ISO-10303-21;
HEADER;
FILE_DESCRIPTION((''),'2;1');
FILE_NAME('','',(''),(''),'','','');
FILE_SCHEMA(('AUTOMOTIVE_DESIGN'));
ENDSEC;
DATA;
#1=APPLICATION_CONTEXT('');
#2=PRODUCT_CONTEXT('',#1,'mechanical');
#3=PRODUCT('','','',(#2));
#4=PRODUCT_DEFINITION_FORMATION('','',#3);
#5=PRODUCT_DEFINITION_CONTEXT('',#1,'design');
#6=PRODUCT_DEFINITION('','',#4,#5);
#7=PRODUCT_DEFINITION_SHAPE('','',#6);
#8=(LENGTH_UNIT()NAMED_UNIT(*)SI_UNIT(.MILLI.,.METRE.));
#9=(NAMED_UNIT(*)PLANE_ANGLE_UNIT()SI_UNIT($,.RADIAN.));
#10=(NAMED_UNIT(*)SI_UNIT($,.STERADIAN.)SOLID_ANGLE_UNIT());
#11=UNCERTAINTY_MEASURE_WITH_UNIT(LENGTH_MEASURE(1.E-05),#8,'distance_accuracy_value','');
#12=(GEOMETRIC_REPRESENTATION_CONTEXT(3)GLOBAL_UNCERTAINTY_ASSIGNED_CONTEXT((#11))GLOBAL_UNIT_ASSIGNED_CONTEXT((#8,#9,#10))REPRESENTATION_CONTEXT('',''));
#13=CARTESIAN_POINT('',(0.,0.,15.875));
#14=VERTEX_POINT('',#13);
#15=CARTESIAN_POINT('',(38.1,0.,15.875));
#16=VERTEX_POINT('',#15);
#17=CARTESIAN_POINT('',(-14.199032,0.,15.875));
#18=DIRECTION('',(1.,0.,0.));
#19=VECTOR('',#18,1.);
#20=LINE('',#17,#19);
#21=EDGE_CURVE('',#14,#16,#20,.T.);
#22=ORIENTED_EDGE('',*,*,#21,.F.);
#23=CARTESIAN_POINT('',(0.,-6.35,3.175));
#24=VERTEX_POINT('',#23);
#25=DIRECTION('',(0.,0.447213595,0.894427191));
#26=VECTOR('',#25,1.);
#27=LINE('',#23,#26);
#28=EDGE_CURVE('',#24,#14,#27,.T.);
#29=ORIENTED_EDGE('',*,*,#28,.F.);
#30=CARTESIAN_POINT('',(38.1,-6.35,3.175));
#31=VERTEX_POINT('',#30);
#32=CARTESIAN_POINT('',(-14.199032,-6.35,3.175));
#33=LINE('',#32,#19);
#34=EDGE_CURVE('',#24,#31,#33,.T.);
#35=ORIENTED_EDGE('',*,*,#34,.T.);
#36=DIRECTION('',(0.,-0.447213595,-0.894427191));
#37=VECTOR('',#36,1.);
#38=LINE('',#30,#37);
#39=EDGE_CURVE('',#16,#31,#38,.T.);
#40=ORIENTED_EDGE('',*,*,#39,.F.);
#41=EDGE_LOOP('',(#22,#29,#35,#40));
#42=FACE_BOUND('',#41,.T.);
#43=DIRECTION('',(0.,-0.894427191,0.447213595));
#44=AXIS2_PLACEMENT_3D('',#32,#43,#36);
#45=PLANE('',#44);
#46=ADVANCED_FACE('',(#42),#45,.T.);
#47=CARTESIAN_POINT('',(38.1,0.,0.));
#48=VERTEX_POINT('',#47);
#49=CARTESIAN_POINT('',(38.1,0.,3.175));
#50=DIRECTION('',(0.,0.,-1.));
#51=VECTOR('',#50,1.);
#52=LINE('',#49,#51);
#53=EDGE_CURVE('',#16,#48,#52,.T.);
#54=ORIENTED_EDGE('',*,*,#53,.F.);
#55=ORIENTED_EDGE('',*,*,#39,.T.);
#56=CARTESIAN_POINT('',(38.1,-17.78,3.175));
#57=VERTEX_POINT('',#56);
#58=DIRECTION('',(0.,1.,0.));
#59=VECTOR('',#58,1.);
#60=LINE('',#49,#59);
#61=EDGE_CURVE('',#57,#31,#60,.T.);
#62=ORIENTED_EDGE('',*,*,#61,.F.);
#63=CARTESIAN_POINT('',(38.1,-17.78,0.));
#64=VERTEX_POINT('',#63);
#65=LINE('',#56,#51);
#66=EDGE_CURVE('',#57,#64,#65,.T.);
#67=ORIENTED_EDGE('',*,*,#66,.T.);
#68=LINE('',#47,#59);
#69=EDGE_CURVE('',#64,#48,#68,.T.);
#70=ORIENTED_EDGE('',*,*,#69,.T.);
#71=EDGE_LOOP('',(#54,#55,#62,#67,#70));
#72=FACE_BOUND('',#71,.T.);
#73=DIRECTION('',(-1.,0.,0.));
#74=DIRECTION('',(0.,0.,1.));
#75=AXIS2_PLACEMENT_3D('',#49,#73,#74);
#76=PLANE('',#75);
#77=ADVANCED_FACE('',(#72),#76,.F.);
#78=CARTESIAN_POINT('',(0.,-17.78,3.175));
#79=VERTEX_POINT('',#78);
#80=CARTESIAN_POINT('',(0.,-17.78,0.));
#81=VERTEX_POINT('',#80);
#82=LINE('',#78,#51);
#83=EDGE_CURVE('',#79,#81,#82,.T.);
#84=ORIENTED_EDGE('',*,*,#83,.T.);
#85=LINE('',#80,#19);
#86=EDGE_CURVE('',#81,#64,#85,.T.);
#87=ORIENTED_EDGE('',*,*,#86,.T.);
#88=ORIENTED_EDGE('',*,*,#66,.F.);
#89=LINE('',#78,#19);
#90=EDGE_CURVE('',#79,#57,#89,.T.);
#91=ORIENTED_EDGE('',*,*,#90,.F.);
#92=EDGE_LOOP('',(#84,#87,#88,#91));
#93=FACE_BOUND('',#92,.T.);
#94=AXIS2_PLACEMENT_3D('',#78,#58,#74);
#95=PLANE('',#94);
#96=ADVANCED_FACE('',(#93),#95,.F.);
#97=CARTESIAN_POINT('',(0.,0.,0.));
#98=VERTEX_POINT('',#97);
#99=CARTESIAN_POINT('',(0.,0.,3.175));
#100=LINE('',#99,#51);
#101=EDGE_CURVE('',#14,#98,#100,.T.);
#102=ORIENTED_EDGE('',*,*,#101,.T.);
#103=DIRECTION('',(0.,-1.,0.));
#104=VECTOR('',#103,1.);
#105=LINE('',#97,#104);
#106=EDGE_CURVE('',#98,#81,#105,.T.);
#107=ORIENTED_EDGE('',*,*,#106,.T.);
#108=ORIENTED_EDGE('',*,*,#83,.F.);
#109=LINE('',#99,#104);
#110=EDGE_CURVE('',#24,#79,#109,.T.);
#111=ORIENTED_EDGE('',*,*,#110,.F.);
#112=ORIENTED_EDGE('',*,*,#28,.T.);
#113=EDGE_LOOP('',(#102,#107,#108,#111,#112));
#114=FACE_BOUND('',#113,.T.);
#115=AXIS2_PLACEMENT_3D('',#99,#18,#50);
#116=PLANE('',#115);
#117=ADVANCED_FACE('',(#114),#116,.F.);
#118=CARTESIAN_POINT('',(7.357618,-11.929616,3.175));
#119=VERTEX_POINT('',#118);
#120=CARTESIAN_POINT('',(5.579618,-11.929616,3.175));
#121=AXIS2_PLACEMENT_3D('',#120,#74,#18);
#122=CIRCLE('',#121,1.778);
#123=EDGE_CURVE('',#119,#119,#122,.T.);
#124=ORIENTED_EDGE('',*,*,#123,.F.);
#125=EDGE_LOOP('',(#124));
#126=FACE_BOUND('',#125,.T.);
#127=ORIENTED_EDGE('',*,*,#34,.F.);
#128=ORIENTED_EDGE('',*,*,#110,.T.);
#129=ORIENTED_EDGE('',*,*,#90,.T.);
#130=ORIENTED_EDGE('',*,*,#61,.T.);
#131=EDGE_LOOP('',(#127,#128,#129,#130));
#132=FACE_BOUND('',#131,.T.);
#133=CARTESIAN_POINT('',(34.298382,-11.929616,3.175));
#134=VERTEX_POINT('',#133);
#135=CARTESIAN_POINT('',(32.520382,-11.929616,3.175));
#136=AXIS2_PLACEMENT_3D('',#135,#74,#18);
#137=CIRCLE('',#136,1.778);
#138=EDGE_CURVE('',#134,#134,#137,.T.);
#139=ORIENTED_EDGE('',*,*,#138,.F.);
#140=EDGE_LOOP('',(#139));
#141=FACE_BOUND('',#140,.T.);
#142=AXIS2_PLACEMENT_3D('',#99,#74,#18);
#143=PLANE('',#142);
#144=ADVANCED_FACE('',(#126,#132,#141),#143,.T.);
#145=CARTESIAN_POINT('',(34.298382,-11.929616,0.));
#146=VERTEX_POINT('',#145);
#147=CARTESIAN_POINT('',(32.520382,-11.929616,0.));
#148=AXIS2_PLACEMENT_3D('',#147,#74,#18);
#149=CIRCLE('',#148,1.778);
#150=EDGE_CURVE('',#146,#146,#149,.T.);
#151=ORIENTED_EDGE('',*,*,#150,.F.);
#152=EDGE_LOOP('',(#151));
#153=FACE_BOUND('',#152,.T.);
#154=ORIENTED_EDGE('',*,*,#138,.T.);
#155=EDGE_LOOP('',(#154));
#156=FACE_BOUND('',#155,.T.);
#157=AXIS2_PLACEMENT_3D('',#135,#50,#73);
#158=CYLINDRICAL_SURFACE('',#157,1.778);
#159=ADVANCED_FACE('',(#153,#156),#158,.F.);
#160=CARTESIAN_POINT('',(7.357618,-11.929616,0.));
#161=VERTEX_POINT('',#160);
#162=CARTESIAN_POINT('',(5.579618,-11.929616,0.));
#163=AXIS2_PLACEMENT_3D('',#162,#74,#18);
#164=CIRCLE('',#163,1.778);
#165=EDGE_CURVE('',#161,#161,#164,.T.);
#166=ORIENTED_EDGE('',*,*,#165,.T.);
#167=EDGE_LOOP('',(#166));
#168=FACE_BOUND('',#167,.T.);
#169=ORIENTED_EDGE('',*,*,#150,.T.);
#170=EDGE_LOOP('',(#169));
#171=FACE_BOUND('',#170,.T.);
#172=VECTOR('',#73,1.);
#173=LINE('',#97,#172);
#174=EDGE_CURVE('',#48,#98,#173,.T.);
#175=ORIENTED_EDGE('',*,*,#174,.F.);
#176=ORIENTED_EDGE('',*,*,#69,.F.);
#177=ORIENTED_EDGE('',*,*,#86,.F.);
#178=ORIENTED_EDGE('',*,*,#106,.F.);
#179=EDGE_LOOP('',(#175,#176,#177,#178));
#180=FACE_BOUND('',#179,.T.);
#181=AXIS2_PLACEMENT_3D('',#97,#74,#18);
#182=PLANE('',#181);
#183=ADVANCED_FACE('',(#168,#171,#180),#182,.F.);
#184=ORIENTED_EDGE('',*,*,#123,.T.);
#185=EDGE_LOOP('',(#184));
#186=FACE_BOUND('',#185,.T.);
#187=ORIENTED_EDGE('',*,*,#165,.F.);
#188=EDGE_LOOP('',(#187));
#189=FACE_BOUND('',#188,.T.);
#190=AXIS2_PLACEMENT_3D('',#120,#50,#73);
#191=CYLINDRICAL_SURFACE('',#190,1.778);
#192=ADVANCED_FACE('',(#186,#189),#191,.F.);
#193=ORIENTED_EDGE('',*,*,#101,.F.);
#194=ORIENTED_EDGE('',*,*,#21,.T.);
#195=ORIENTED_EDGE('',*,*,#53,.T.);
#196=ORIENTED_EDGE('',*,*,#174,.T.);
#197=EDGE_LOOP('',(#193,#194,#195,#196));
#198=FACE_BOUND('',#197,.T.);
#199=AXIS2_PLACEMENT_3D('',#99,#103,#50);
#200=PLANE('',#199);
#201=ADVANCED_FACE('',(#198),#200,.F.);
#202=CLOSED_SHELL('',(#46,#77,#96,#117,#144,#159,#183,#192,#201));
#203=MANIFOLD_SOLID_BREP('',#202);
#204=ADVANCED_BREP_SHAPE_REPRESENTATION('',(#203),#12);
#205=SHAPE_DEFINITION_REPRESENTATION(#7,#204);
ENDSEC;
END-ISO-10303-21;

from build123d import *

# Parameters (mm, degrees)
SKETCH1_W           = 38.1
SKETCH1_H           = 17.78
SKETCH1_R           = 1.778
BOSS_EXTRUDE2_DEPTH = 3.175
BOSS_EXTRUDE3_DEPTH = 38.1


with BuildPart() as part:
    # Sketch1 → Boss-Extrude2 (new body)
    with BuildSketch(Plane.XY):
        with Locations((19.05, -8.89)):
            Rectangle(SKETCH1_W, SKETCH1_H)
        with Locations((5.579618, -11.929615714)):
            Circle(SKETCH1_R, mode=Mode.SUBTRACT)
        with Locations((32.520382, -11.929615714)):
            Circle(SKETCH1_R, mode=Mode.SUBTRACT)
    extrude(amount=BOSS_EXTRUDE2_DEPTH)

    # Sketch4 → Boss-Extrude3 (add)
    with BuildSketch(Plane(origin=(38.1, 0, 0), x_dir=(0, 0, -1), z_dir=(1, 0, 0))):
        Polygon((-3.175, -6.35), (-15.875, 0), (-3.175, 0), align=None)
    extrude(amount=-BOSS_EXTRUDE3_DEPTH)


solid = part.part
